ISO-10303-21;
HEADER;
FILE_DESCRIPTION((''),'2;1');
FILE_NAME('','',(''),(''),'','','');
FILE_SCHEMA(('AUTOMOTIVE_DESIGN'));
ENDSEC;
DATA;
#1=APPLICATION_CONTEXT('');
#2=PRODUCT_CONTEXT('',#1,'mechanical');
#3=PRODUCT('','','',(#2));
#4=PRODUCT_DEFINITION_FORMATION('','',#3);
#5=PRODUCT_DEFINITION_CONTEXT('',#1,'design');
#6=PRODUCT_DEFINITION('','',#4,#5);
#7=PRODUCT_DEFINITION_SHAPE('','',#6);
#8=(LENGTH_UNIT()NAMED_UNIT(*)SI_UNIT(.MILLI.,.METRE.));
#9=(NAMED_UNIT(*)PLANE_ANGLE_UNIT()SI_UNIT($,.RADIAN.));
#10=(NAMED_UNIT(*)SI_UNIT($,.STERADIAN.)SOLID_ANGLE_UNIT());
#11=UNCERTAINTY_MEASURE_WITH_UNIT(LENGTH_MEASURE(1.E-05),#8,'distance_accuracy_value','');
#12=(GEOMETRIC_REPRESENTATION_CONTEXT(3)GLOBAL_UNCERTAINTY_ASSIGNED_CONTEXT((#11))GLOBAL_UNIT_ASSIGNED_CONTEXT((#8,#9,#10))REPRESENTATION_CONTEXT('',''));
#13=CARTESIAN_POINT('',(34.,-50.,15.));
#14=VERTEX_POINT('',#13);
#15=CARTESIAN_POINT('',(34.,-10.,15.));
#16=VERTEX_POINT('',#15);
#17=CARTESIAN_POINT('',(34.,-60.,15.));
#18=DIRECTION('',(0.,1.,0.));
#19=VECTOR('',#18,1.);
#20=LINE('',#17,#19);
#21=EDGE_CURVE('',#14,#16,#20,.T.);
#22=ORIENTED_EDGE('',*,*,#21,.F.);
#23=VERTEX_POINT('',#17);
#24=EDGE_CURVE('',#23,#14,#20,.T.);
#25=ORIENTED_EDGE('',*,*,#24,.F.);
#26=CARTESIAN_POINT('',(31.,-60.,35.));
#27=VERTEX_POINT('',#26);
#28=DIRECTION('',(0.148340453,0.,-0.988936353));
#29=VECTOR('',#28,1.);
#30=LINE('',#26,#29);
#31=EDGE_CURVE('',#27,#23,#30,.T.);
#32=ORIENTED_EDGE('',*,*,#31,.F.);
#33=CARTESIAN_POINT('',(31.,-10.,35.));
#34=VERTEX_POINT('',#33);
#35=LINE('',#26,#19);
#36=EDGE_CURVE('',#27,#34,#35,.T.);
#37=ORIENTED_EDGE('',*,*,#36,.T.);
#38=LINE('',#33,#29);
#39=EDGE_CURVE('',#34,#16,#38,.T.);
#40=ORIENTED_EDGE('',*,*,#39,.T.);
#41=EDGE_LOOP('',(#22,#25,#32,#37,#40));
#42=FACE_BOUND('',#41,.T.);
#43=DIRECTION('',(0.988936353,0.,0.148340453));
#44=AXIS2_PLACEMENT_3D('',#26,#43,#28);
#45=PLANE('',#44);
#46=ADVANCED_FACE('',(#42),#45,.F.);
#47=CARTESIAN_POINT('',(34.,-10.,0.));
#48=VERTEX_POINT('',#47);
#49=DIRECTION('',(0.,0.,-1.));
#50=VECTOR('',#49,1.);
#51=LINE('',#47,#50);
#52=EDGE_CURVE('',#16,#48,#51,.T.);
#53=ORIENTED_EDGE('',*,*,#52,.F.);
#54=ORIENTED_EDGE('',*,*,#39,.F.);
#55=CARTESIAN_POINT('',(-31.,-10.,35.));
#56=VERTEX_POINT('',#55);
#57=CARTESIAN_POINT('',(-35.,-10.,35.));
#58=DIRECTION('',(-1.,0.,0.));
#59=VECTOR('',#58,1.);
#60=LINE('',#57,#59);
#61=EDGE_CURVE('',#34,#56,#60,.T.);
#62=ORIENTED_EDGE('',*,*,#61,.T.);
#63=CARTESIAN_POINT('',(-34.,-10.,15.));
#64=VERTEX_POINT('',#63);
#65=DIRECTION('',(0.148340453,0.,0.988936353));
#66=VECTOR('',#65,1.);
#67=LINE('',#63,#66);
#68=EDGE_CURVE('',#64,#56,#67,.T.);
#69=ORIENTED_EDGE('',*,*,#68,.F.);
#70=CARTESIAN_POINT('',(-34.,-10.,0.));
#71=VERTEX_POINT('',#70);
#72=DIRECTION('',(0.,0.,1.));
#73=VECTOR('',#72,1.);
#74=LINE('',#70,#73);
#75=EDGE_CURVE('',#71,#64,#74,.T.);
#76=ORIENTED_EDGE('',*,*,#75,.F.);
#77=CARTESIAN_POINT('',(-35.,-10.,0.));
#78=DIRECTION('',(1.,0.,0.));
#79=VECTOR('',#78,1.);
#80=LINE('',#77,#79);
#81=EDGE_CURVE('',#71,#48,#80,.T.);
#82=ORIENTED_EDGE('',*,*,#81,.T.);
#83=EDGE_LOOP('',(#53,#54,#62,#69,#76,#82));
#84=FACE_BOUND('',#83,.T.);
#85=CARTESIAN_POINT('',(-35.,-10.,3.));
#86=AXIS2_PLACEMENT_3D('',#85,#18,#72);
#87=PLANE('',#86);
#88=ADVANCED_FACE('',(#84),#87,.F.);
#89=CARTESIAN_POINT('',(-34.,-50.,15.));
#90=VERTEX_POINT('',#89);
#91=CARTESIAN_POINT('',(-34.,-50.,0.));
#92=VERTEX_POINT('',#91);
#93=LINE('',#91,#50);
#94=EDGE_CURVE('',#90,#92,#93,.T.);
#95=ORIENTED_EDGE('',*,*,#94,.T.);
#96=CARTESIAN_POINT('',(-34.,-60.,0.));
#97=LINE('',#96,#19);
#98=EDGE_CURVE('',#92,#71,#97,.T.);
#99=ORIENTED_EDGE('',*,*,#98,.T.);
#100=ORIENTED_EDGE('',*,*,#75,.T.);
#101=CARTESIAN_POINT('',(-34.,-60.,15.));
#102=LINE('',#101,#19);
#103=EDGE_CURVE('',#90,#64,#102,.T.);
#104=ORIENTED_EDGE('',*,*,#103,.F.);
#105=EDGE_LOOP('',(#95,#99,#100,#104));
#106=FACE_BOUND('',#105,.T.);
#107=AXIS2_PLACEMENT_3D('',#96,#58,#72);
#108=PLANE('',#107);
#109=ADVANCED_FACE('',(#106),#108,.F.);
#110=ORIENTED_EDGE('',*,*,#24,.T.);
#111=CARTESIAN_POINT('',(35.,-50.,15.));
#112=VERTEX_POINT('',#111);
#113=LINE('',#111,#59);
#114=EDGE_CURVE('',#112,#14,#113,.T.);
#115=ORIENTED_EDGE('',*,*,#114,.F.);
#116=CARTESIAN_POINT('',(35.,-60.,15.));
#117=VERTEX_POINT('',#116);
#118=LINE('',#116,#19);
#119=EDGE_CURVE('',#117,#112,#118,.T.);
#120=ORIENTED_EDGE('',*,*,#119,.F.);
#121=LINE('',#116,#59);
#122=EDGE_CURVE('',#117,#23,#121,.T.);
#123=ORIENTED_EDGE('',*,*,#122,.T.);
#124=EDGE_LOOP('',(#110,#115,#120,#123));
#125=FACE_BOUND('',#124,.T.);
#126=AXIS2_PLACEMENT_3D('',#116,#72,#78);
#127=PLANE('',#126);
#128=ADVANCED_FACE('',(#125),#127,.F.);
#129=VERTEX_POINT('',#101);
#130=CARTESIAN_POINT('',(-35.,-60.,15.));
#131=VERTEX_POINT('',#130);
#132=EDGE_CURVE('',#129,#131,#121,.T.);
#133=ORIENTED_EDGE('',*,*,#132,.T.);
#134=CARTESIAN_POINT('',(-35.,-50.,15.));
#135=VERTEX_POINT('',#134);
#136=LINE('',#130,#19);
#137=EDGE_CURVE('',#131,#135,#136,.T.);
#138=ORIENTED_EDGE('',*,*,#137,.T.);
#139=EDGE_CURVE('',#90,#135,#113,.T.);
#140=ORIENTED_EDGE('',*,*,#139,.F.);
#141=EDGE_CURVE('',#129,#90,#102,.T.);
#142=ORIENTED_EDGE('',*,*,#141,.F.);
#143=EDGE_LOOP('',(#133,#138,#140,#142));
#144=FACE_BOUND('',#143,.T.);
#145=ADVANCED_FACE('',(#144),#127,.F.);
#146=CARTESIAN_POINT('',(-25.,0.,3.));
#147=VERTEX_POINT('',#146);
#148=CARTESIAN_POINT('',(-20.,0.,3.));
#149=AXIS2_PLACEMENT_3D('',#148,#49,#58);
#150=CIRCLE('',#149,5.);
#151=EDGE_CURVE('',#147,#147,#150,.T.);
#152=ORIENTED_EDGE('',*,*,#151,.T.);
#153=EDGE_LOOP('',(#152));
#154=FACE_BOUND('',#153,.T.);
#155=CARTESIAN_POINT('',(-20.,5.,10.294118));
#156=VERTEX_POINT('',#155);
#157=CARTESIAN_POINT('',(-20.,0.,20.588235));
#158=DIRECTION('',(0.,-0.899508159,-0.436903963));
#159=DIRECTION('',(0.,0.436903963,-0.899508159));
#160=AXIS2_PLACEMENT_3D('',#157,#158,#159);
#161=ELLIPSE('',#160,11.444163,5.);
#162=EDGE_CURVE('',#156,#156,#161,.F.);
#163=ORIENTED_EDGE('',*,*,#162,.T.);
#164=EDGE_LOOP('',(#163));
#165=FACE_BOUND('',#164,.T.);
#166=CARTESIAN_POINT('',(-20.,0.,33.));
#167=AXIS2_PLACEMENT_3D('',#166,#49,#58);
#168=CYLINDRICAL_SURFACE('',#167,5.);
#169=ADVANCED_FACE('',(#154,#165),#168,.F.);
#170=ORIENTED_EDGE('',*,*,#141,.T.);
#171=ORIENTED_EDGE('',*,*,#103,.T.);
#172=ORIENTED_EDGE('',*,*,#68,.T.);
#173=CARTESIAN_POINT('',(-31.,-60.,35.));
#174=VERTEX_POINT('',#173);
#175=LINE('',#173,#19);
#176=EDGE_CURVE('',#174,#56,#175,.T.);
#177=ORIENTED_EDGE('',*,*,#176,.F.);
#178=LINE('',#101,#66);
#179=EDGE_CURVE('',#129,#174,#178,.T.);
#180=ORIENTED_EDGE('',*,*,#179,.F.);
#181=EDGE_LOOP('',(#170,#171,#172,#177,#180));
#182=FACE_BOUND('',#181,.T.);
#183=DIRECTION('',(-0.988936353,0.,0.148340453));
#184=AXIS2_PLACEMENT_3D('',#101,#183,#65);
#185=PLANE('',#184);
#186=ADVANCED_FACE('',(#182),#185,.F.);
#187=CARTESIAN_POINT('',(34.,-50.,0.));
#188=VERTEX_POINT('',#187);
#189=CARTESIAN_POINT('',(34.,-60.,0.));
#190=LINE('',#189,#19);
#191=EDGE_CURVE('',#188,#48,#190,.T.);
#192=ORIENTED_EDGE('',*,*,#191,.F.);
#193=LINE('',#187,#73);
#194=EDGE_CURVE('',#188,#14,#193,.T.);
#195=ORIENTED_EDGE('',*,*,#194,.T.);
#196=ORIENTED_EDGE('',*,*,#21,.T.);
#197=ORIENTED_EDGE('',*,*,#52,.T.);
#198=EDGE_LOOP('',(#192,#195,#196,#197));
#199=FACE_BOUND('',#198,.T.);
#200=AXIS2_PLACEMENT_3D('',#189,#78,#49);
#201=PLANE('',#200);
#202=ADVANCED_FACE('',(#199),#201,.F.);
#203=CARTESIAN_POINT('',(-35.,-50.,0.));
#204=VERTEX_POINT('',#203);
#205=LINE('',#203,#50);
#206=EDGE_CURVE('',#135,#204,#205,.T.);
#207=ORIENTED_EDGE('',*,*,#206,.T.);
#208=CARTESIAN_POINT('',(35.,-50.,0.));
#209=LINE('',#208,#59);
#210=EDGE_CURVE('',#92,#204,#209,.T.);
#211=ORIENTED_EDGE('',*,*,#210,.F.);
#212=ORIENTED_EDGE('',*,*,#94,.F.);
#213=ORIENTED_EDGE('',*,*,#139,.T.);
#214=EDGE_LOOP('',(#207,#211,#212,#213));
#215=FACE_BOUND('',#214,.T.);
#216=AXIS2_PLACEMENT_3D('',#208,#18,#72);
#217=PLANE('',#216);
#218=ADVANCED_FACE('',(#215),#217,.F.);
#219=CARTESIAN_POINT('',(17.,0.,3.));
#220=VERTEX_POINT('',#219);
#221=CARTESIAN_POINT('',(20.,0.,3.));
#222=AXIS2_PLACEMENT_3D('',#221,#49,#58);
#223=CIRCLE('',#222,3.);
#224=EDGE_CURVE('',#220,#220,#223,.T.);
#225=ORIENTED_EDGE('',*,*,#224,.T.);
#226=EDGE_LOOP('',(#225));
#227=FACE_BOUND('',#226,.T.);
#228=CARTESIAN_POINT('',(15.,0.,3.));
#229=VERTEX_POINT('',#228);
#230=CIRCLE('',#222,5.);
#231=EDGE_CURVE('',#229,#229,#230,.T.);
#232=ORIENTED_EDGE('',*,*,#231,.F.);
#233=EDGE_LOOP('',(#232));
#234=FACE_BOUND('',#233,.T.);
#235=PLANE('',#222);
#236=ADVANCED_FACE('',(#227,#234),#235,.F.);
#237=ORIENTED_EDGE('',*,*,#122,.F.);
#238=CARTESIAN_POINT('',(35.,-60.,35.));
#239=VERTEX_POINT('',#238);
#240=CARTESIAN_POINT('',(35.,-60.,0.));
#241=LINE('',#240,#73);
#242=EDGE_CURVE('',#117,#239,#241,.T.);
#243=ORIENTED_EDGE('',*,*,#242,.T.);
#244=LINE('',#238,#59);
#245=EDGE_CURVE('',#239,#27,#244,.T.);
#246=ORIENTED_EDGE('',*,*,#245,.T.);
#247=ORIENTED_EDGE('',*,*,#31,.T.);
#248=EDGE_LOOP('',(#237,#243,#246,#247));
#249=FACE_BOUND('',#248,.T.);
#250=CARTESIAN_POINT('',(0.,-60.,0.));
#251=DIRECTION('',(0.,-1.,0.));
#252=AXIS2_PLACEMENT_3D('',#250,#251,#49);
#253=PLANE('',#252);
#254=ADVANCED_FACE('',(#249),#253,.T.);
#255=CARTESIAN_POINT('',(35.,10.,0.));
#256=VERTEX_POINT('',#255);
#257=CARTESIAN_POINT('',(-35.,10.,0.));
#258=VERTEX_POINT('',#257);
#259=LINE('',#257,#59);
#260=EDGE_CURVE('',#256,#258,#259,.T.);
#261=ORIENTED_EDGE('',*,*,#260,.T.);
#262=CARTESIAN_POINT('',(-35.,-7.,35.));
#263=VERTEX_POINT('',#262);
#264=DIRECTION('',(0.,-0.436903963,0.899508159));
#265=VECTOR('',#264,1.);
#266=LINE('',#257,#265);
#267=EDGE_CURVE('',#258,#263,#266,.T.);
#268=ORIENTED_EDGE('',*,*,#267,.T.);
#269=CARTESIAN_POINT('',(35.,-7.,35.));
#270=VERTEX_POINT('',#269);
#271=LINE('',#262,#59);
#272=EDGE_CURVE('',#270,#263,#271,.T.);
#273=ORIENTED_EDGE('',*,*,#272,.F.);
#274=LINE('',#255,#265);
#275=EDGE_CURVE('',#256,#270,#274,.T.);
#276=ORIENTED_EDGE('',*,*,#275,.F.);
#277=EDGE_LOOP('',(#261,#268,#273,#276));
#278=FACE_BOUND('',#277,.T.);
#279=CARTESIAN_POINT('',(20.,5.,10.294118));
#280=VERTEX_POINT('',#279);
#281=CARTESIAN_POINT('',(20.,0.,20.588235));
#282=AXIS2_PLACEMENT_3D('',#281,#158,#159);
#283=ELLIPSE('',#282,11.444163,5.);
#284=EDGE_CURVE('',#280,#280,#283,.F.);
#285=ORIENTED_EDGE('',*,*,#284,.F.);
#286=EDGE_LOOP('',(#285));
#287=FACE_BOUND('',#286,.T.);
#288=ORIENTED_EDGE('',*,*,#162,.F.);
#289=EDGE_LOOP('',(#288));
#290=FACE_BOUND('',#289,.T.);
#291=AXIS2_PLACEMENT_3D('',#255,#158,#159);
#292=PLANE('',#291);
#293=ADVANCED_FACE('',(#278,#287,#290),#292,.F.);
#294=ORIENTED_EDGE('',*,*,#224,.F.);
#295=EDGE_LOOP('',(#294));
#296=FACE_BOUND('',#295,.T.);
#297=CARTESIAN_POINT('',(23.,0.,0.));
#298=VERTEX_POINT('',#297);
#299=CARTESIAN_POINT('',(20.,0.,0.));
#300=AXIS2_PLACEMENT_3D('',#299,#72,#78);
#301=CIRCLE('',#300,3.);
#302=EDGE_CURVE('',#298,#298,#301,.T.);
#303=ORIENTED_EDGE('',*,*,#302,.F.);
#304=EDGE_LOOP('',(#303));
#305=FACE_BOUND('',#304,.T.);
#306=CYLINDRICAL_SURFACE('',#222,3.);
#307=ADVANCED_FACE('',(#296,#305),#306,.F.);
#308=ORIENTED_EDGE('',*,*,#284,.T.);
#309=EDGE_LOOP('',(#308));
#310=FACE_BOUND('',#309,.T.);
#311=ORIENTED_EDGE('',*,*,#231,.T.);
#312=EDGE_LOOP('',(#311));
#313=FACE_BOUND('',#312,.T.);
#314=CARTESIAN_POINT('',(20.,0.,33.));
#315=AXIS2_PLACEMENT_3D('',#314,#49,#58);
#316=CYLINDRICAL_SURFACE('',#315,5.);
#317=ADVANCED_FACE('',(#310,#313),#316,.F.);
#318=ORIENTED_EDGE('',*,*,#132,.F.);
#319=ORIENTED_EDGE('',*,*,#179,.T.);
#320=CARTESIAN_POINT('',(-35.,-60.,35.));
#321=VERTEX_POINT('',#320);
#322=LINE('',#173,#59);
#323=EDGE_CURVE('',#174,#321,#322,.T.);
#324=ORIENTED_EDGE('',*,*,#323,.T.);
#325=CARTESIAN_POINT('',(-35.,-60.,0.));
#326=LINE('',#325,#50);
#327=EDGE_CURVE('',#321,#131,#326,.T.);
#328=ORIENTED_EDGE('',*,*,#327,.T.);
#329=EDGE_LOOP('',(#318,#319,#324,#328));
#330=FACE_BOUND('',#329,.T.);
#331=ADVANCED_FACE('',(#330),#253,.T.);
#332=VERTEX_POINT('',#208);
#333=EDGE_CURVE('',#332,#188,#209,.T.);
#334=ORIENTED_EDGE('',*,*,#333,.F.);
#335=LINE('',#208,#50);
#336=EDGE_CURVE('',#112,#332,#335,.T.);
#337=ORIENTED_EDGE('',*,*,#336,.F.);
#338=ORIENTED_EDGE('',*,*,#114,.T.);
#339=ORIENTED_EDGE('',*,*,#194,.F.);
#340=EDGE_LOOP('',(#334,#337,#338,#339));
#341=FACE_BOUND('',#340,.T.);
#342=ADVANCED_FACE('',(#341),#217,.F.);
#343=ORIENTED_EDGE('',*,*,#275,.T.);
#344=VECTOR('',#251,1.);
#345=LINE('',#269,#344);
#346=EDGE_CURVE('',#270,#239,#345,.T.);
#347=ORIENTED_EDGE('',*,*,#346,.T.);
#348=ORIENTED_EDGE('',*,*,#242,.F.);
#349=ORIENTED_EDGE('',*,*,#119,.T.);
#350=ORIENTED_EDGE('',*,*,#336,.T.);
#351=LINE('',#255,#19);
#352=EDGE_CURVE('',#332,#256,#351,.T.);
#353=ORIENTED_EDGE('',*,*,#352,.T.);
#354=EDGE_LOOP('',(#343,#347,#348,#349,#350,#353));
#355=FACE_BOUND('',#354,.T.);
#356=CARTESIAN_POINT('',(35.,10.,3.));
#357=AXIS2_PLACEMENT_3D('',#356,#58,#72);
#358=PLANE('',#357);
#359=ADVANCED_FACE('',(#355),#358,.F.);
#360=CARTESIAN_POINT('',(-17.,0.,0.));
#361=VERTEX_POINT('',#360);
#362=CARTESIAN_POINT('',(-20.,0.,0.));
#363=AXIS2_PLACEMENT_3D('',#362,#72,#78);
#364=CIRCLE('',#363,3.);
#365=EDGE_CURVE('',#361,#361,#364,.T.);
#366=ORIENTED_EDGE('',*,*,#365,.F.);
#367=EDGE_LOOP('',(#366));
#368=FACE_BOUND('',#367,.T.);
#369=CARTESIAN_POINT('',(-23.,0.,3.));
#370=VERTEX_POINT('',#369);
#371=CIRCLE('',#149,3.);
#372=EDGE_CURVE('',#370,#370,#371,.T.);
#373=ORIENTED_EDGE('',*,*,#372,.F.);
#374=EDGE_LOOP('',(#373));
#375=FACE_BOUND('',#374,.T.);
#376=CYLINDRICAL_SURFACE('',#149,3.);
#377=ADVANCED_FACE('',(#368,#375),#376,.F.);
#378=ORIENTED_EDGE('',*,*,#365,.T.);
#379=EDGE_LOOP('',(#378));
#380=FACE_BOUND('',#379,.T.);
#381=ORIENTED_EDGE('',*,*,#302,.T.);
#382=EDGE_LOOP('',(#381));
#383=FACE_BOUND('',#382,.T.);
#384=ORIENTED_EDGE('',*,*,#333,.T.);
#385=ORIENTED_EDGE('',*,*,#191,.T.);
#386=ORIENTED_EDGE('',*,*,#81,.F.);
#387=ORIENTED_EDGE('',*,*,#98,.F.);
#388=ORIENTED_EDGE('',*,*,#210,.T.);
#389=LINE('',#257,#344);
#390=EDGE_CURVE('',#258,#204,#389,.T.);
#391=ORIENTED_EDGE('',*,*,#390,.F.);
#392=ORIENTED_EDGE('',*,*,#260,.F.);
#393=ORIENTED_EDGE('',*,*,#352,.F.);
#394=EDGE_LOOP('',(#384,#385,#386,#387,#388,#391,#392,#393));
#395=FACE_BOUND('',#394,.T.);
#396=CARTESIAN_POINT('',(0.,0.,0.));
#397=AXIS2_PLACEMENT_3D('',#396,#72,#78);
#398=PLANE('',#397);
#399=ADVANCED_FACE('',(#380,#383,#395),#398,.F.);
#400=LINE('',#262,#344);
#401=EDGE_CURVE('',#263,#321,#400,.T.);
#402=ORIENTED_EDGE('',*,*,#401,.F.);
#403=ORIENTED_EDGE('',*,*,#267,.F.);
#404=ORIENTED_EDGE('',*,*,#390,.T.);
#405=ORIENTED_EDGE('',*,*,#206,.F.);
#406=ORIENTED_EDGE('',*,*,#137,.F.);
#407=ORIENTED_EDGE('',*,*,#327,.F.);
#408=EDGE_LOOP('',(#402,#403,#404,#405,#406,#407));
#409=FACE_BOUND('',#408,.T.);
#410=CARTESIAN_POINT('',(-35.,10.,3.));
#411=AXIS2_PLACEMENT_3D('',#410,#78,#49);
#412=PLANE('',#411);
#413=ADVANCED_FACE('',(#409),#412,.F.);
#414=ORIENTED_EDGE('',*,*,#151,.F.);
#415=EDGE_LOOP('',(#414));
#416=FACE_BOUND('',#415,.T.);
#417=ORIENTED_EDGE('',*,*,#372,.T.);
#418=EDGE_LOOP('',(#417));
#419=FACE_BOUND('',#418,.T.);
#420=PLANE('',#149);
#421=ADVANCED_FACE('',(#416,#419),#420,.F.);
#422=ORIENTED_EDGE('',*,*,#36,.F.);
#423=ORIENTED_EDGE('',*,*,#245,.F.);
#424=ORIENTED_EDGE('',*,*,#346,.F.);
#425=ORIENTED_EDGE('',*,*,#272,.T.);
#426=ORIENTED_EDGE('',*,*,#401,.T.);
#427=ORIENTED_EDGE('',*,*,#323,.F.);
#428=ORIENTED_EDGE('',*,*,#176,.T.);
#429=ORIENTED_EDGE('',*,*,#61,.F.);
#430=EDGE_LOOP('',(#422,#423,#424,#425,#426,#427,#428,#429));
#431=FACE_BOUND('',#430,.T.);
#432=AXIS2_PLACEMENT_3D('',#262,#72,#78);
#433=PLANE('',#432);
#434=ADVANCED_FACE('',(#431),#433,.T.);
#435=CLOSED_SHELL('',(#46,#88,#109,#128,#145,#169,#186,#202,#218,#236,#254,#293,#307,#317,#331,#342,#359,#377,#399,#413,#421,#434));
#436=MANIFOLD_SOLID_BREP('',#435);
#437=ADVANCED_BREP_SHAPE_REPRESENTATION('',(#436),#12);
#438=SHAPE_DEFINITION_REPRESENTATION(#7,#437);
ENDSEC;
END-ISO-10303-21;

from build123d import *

# Parameters (mm, degrees)
SKETCH_1_W          = 70
SKETCH_1_H          = 20
SKETCH_1_R          = 3
EXTRUDE_1_DEPTH     = 3
SKETCH_3_W          = 70
SKETCH_3_H          = 35
EXTRUDE_2_DEPTH     = 3
EXTRUDE_3_DEPTH     = 50
EXTRUDE_4_DEPTH     = 70
SKETCH_6_R          = 5
CUT_EXTRUDE_3_DEPTH = 30
CUT_EXTRUDE_4_DEPTH = 70
SKETCH_8_W          = 15
SKETCH_8_H          = 10
CUT_EXTRUDE_5_DEPTH = 99.615414617


with BuildPart() as part:
    # 草图1 → 凸台-拉伸1 (new body)
    with BuildSketch(Plane.XY):
        Rectangle(SKETCH_1_W, SKETCH_1_H)
        with Locations((-20, 0)):
            Circle(SKETCH_1_R, mode=Mode.SUBTRACT)
        with Locations((20, 0)):
            Circle(SKETCH_1_R, mode=Mode.SUBTRACT)
    extrude(amount=EXTRUDE_1_DEPTH)

    # 草图3 → 凸台-拉伸2 (add)
    with BuildSketch(Plane.XZ.offset(10)):
        with Locations((0, 17.5)):
            Rectangle(SKETCH_3_W, SKETCH_3_H)
    extrude(amount=-EXTRUDE_2_DEPTH)

    # 草图4 → 凸台-拉伸3 (add)
    with BuildSketch(Plane.XZ.offset(10)):
        Polygon((-34, 15), (-31, 35), (-35, 35), (-35, 15), (-35, 0), (-34, 0), align=None)
        Polygon((35, 0), (34, 0), (34, 15), (31, 35), (35, 35), (35, 15), align=None)
    extrude(amount=EXTRUDE_3_DEPTH)

    # 草图5 → 凸台-拉伸4 (add)
    with BuildSketch(Plane.ZY.offset(35)):
        Polygon((3, 10), (3, -7), (35, -7), align=None)
    extrude(amount=-EXTRUDE_4_DEPTH)

    # 草图6 → 切除-拉伸3 (cut)
    with BuildSketch(Plane(origin=(0, 0, 3), x_dir=(-1, 0, 0), z_dir=(0, 0, -1))):
        with Locations((-20, 0)):
            Circle(SKETCH_6_R)
        with Locations((20, 0)):
            Circle(SKETCH_6_R)
    extrude(amount=-CUT_EXTRUDE_3_DEPTH, mode=Mode.SUBTRACT)

    # 草图7 → 切除-拉伸4 (cut)
    with BuildSketch(Plane.ZY.offset(35)):
        Polygon((0, 10), (35, -7), (3, 10), align=None)
    extrude(amount=-CUT_EXTRUDE_4_DEPTH, mode=Mode.SUBTRACT)

    # 草图8 → 切除-拉伸5 (cut, through all)
    with BuildSketch(Plane.ZY.offset(35)):
        with Locations((7.5, -55)):
            Rectangle(SKETCH_8_W, SKETCH_8_H)
    extrude(amount=-CUT_EXTRUDE_5_DEPTH, mode=Mode.SUBTRACT)


solid = part.part
